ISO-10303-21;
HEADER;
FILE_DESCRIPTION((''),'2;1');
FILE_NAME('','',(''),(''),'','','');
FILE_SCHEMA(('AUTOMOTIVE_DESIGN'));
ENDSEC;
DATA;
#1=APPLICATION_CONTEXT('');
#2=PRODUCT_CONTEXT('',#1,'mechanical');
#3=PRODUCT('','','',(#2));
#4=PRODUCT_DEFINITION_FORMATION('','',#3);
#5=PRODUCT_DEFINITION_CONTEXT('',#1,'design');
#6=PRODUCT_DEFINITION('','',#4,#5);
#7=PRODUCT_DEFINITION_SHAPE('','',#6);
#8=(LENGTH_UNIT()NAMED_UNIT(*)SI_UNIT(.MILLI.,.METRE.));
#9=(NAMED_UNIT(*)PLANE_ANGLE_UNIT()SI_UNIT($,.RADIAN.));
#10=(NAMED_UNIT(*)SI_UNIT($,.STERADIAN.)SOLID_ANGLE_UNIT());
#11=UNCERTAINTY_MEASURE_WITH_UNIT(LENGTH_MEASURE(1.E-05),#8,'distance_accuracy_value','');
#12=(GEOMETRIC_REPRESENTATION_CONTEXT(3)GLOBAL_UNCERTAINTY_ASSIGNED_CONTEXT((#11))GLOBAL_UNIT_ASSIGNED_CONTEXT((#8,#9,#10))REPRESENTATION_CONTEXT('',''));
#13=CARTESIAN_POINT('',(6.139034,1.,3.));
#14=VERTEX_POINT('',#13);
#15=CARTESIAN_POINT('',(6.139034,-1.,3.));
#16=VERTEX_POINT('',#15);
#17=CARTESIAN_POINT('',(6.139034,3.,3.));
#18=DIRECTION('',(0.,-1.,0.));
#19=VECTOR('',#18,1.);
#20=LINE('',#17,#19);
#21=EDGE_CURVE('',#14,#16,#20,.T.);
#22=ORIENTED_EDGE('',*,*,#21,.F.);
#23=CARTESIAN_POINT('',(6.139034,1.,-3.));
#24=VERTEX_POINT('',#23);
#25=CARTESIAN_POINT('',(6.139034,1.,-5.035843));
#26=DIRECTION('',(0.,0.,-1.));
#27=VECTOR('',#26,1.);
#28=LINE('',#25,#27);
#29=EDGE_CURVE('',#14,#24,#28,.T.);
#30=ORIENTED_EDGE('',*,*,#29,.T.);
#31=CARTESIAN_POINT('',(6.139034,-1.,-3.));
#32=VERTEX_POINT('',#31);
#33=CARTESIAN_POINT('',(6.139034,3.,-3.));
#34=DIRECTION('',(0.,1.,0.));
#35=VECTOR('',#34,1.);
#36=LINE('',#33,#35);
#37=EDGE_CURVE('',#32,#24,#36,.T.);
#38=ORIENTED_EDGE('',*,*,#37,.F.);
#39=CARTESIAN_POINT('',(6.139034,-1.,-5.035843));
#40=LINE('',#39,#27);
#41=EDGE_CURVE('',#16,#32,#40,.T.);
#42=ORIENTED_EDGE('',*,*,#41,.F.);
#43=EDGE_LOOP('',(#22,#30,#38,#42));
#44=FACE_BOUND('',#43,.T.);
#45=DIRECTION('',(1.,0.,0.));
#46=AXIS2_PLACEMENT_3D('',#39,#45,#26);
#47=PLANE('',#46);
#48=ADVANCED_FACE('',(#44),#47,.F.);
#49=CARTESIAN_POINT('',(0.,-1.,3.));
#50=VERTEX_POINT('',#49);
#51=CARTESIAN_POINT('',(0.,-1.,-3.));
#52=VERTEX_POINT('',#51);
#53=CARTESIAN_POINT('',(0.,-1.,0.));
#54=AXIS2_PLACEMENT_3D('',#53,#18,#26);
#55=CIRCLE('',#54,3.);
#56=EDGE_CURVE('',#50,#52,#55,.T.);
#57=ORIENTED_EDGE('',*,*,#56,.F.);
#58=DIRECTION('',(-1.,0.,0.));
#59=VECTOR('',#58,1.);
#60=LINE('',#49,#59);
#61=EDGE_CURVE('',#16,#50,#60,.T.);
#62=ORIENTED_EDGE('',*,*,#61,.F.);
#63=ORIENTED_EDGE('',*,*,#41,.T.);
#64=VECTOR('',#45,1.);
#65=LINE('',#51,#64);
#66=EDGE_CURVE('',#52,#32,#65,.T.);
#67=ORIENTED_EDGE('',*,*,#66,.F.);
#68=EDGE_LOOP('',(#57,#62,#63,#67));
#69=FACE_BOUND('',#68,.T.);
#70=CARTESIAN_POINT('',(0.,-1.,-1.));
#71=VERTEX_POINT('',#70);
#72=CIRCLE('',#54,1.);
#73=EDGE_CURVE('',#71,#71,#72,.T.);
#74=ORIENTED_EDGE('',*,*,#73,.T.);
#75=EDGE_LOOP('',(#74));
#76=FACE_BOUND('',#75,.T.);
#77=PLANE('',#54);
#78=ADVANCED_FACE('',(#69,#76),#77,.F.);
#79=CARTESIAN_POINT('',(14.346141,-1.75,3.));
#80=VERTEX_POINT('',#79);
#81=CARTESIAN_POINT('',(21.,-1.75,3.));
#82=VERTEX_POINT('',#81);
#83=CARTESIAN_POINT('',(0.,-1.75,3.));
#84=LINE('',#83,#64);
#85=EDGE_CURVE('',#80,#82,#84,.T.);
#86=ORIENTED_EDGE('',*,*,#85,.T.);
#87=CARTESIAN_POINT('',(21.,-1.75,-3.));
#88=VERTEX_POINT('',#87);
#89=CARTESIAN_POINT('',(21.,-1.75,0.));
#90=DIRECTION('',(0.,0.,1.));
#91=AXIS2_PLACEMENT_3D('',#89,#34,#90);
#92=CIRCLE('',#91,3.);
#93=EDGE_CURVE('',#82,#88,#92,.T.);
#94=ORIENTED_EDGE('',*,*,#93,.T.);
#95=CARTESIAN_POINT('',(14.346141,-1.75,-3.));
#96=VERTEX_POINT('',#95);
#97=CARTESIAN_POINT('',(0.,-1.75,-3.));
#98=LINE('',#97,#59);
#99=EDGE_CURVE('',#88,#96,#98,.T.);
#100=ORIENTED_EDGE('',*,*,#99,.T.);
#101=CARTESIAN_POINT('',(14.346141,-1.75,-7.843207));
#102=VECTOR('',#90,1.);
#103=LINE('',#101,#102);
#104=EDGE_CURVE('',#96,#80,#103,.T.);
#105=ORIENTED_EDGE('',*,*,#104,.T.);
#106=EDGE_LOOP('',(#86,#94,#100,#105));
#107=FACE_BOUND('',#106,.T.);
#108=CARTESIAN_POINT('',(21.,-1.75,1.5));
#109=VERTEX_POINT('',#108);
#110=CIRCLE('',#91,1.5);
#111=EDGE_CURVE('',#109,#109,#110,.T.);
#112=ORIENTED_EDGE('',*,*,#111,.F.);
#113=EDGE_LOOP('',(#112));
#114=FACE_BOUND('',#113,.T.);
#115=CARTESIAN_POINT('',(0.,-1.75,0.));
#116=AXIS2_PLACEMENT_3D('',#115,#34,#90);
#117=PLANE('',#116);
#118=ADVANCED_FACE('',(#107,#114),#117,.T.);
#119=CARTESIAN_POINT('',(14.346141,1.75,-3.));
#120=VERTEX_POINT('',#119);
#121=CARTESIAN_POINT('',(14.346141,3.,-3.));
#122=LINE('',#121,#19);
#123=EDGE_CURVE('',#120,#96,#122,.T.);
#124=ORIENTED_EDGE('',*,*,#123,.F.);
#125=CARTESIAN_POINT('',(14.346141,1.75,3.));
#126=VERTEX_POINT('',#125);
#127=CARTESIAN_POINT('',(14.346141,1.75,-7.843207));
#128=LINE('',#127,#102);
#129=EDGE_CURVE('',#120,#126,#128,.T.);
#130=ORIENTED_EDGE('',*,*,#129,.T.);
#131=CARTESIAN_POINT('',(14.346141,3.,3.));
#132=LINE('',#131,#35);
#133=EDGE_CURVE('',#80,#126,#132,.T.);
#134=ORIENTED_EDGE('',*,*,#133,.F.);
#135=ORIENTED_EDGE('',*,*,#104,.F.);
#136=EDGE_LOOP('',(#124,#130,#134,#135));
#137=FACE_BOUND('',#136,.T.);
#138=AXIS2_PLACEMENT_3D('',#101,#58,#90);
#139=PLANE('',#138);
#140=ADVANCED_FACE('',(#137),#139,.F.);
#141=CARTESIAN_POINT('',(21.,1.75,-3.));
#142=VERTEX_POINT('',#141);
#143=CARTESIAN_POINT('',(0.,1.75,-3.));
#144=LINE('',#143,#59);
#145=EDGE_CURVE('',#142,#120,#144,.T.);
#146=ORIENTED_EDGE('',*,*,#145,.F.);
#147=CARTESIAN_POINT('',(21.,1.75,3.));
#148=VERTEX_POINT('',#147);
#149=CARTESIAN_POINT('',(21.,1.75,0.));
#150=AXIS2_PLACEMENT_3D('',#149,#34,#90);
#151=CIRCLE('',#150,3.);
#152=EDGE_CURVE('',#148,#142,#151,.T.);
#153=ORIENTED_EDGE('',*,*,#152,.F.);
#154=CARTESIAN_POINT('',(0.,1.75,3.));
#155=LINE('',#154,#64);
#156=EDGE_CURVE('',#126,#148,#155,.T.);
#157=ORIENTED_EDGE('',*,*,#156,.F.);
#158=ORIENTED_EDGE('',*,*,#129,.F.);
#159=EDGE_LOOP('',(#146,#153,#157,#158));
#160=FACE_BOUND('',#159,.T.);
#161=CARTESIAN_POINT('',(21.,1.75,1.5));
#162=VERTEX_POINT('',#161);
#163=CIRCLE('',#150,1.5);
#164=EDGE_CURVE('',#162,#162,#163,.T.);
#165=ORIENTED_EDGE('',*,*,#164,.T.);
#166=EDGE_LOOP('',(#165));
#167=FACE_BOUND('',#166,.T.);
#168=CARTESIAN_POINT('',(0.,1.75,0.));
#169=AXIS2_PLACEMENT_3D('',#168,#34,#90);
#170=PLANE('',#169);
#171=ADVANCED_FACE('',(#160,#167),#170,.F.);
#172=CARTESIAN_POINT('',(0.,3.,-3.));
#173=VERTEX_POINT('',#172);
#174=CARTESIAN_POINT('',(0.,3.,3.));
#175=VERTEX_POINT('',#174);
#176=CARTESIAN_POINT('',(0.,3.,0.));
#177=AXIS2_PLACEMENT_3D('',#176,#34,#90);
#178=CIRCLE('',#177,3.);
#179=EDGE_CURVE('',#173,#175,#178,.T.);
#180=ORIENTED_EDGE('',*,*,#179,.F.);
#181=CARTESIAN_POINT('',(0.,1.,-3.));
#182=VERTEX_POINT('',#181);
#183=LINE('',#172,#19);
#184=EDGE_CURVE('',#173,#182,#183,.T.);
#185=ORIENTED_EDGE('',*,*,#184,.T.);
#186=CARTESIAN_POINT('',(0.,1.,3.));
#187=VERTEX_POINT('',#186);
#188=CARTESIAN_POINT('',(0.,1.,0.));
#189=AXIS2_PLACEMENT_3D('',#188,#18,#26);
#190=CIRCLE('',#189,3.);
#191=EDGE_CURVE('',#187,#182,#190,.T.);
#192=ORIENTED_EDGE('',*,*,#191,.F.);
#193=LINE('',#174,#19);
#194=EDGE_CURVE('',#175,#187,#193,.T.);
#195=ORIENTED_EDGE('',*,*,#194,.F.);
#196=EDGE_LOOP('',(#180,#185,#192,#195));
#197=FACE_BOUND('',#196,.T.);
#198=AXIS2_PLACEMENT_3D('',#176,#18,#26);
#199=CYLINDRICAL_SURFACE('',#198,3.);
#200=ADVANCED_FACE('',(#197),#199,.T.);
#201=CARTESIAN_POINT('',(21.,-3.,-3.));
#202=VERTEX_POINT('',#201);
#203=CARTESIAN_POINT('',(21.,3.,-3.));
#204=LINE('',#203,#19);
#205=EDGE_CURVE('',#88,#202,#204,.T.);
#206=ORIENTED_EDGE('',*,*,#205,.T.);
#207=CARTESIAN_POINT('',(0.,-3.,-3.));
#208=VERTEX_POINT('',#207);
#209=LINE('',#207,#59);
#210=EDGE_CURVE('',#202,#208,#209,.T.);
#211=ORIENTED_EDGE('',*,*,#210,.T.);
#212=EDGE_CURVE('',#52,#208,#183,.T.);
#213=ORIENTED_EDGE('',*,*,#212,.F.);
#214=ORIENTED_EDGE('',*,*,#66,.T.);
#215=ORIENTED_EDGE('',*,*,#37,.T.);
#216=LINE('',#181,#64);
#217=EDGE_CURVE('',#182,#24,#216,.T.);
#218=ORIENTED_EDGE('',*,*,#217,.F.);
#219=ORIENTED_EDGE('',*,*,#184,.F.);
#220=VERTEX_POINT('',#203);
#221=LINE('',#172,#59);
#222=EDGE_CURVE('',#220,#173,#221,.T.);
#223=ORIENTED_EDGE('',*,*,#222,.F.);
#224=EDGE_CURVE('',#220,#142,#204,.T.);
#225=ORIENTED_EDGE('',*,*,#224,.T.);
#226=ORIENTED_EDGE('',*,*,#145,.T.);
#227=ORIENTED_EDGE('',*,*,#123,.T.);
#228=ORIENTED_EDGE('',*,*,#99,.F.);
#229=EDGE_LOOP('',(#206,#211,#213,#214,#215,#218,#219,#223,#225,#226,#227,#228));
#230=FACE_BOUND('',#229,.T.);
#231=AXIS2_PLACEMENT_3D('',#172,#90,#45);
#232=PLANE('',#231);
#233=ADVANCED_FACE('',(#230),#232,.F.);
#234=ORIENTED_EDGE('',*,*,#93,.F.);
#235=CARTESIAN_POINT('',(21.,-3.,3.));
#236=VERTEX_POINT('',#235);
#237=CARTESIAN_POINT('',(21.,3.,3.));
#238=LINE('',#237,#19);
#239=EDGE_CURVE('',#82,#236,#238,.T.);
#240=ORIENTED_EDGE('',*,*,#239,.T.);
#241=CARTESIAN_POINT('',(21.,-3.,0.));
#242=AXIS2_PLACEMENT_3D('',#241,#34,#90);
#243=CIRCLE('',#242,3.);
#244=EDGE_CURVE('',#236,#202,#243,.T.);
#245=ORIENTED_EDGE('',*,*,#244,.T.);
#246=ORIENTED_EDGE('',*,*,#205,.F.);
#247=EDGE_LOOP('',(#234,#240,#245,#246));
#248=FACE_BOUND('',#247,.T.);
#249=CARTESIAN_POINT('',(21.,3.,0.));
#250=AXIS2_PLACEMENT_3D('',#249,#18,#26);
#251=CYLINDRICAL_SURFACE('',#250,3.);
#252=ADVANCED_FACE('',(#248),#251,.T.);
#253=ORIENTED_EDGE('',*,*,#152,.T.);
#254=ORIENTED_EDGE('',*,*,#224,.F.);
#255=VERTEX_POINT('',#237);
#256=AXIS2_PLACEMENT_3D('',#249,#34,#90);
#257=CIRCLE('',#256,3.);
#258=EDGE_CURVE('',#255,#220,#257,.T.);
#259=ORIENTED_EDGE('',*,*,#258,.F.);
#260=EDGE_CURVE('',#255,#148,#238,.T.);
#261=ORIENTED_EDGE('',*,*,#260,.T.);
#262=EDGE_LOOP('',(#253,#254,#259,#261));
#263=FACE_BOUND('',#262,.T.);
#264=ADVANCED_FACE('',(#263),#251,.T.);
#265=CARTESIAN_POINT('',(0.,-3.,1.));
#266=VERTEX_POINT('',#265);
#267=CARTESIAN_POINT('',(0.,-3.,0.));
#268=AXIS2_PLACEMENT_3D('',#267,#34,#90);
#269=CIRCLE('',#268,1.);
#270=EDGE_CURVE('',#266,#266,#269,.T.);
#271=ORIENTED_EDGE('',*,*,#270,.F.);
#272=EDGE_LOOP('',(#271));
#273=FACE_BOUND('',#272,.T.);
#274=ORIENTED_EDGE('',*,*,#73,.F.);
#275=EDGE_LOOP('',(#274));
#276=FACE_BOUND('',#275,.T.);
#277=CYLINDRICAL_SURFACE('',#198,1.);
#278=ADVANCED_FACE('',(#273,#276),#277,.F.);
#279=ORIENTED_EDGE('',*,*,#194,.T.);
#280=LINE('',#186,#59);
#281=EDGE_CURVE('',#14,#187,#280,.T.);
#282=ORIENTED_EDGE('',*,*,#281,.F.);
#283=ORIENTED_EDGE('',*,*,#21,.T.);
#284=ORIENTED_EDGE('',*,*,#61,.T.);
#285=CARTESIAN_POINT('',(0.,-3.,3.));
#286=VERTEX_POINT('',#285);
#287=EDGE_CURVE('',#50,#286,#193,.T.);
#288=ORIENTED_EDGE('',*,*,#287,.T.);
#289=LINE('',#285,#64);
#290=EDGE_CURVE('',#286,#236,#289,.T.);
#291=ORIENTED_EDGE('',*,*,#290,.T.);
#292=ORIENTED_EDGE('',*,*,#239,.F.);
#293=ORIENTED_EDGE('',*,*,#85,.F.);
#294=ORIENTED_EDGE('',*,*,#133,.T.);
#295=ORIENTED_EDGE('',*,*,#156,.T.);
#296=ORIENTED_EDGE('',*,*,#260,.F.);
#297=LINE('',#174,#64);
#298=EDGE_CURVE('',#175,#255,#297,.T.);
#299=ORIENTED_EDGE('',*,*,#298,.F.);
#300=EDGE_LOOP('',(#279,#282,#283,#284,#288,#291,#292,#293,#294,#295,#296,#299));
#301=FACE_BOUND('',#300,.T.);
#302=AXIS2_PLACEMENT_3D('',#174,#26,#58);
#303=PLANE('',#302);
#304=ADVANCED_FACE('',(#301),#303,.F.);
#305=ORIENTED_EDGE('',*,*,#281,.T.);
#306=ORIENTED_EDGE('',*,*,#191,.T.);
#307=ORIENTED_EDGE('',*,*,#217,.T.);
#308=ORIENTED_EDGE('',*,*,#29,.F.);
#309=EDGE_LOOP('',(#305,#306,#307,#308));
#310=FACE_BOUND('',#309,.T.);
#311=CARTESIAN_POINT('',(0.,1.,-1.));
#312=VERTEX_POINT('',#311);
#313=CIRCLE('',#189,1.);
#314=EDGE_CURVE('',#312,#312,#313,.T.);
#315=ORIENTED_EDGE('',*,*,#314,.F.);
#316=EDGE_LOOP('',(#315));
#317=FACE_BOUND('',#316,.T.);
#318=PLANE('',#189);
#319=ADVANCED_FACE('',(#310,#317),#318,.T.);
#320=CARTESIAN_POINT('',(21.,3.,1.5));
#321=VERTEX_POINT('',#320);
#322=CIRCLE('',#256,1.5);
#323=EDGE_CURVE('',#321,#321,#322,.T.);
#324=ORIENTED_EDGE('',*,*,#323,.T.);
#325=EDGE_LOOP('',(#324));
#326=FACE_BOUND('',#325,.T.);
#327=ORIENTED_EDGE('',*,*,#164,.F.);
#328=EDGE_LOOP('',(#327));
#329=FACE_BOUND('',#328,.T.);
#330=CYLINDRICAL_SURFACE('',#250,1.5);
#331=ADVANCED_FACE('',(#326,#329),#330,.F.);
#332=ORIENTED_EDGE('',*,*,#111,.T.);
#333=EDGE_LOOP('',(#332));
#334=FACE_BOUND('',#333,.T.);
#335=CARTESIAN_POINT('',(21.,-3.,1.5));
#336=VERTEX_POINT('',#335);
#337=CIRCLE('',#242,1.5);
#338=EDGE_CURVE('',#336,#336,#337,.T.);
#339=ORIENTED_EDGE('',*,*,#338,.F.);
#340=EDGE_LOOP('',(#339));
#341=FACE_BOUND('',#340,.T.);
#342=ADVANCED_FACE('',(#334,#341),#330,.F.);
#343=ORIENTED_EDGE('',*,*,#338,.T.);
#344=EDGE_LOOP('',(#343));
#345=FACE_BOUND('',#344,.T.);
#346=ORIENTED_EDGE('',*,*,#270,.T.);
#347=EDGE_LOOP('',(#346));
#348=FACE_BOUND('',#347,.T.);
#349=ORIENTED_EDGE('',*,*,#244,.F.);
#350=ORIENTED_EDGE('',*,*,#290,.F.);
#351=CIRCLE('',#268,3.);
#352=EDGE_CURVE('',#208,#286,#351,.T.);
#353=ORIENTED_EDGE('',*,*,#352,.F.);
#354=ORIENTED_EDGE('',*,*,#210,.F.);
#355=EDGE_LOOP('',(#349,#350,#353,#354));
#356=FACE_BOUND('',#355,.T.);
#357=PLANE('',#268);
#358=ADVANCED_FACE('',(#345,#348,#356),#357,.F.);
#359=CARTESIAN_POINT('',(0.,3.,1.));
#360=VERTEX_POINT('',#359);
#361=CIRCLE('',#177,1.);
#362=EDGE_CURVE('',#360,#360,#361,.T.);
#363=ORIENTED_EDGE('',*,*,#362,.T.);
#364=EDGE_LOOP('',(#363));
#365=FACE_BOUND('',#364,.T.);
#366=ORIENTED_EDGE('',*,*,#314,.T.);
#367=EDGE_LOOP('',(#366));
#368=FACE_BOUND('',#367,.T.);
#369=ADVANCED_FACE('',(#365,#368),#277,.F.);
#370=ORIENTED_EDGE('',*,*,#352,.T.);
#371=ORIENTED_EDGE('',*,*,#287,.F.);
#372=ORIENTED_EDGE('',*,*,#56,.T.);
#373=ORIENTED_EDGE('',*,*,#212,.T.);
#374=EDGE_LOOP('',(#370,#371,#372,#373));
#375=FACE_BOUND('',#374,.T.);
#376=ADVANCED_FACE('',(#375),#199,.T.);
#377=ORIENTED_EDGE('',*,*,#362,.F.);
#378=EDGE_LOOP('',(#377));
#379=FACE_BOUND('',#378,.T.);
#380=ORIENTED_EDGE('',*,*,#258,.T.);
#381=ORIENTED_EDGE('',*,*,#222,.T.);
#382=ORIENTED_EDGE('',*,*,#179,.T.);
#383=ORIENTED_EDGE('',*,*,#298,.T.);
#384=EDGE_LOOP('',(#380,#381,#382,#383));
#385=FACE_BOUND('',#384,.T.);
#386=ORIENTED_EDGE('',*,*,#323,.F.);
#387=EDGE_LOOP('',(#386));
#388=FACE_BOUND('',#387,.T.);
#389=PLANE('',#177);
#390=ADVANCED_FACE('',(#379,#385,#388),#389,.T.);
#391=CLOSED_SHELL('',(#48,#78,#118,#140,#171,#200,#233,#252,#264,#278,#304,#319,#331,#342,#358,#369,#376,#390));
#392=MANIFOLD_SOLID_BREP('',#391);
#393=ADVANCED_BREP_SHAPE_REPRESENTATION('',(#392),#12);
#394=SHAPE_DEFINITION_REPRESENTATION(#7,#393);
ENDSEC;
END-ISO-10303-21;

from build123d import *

# Parameters (mm, degrees)
SKETCH_1_R          = 1.5
SKETCH_1_R_2        = 1
EXTRUDE_1_DEPTH     = 3
SKETCH_6_W          = 31.511370345
SKETCH_6_H          = 11.605197544
CUT_EXTRUDE_2_DEPTH = 1.75
SKETCH_7_W          = 12.660216836
SKETCH_7_H          = 9.649927943
CUT_EXTRUDE_3_DEPTH = 1


with BuildPart() as part:
    # 草图1 → 凸台-拉伸1 (new, symmetric)
    with BuildSketch(Plane(origin=(0, 0, 0), x_dir=(1, 0, 0), z_dir=(0, 1, 0))):
        with BuildLine():
            Line((0, 3), (21, 3))
            ThreePointArc((21, 3), (24, 0), (21, -3))
            Line((21, -3), (0, -3))
            ThreePointArc((0, -3), (-3, 0), (0, 3))
        make_face()
        with Locations(Location((21, 0, 0), (0, 0, 270))):
            Circle(SKETCH_1_R, mode=Mode.SUBTRACT)
        with Locations(Location((0, 0, 0), (0, 0, 270))):
            Circle(SKETCH_1_R_2, mode=Mode.SUBTRACT)
    extrude(amount=EXTRUDE_1_DEPTH, both=True)

    # 草图6 → 切除-拉伸2 (cut, symmetric)
    with BuildSketch(Plane(origin=(0, 0, 0), x_dir=(1, 0, 0), z_dir=(0, 1, 0))):
        with Locations((30.101826092, 2.040608699)):
            Rectangle(SKETCH_6_W, SKETCH_6_H)
    extrude(amount=CUT_EXTRUDE_2_DEPTH, both=True, mode=Mode.SUBTRACT)

    # 草图7 → 切除-拉伸3 (cut, symmetric)
    with BuildSketch(Plane(origin=(0, 0, 0), x_dir=(1, 0, 0), z_dir=(0, 1, 0))):
        with Locations((-0.191074288, 0.210879474)):
            Rectangle(SKETCH_7_W, SKETCH_7_H)
    extrude(amount=CUT_EXTRUDE_3_DEPTH, both=True, mode=Mode.SUBTRACT)


solid = part.part
